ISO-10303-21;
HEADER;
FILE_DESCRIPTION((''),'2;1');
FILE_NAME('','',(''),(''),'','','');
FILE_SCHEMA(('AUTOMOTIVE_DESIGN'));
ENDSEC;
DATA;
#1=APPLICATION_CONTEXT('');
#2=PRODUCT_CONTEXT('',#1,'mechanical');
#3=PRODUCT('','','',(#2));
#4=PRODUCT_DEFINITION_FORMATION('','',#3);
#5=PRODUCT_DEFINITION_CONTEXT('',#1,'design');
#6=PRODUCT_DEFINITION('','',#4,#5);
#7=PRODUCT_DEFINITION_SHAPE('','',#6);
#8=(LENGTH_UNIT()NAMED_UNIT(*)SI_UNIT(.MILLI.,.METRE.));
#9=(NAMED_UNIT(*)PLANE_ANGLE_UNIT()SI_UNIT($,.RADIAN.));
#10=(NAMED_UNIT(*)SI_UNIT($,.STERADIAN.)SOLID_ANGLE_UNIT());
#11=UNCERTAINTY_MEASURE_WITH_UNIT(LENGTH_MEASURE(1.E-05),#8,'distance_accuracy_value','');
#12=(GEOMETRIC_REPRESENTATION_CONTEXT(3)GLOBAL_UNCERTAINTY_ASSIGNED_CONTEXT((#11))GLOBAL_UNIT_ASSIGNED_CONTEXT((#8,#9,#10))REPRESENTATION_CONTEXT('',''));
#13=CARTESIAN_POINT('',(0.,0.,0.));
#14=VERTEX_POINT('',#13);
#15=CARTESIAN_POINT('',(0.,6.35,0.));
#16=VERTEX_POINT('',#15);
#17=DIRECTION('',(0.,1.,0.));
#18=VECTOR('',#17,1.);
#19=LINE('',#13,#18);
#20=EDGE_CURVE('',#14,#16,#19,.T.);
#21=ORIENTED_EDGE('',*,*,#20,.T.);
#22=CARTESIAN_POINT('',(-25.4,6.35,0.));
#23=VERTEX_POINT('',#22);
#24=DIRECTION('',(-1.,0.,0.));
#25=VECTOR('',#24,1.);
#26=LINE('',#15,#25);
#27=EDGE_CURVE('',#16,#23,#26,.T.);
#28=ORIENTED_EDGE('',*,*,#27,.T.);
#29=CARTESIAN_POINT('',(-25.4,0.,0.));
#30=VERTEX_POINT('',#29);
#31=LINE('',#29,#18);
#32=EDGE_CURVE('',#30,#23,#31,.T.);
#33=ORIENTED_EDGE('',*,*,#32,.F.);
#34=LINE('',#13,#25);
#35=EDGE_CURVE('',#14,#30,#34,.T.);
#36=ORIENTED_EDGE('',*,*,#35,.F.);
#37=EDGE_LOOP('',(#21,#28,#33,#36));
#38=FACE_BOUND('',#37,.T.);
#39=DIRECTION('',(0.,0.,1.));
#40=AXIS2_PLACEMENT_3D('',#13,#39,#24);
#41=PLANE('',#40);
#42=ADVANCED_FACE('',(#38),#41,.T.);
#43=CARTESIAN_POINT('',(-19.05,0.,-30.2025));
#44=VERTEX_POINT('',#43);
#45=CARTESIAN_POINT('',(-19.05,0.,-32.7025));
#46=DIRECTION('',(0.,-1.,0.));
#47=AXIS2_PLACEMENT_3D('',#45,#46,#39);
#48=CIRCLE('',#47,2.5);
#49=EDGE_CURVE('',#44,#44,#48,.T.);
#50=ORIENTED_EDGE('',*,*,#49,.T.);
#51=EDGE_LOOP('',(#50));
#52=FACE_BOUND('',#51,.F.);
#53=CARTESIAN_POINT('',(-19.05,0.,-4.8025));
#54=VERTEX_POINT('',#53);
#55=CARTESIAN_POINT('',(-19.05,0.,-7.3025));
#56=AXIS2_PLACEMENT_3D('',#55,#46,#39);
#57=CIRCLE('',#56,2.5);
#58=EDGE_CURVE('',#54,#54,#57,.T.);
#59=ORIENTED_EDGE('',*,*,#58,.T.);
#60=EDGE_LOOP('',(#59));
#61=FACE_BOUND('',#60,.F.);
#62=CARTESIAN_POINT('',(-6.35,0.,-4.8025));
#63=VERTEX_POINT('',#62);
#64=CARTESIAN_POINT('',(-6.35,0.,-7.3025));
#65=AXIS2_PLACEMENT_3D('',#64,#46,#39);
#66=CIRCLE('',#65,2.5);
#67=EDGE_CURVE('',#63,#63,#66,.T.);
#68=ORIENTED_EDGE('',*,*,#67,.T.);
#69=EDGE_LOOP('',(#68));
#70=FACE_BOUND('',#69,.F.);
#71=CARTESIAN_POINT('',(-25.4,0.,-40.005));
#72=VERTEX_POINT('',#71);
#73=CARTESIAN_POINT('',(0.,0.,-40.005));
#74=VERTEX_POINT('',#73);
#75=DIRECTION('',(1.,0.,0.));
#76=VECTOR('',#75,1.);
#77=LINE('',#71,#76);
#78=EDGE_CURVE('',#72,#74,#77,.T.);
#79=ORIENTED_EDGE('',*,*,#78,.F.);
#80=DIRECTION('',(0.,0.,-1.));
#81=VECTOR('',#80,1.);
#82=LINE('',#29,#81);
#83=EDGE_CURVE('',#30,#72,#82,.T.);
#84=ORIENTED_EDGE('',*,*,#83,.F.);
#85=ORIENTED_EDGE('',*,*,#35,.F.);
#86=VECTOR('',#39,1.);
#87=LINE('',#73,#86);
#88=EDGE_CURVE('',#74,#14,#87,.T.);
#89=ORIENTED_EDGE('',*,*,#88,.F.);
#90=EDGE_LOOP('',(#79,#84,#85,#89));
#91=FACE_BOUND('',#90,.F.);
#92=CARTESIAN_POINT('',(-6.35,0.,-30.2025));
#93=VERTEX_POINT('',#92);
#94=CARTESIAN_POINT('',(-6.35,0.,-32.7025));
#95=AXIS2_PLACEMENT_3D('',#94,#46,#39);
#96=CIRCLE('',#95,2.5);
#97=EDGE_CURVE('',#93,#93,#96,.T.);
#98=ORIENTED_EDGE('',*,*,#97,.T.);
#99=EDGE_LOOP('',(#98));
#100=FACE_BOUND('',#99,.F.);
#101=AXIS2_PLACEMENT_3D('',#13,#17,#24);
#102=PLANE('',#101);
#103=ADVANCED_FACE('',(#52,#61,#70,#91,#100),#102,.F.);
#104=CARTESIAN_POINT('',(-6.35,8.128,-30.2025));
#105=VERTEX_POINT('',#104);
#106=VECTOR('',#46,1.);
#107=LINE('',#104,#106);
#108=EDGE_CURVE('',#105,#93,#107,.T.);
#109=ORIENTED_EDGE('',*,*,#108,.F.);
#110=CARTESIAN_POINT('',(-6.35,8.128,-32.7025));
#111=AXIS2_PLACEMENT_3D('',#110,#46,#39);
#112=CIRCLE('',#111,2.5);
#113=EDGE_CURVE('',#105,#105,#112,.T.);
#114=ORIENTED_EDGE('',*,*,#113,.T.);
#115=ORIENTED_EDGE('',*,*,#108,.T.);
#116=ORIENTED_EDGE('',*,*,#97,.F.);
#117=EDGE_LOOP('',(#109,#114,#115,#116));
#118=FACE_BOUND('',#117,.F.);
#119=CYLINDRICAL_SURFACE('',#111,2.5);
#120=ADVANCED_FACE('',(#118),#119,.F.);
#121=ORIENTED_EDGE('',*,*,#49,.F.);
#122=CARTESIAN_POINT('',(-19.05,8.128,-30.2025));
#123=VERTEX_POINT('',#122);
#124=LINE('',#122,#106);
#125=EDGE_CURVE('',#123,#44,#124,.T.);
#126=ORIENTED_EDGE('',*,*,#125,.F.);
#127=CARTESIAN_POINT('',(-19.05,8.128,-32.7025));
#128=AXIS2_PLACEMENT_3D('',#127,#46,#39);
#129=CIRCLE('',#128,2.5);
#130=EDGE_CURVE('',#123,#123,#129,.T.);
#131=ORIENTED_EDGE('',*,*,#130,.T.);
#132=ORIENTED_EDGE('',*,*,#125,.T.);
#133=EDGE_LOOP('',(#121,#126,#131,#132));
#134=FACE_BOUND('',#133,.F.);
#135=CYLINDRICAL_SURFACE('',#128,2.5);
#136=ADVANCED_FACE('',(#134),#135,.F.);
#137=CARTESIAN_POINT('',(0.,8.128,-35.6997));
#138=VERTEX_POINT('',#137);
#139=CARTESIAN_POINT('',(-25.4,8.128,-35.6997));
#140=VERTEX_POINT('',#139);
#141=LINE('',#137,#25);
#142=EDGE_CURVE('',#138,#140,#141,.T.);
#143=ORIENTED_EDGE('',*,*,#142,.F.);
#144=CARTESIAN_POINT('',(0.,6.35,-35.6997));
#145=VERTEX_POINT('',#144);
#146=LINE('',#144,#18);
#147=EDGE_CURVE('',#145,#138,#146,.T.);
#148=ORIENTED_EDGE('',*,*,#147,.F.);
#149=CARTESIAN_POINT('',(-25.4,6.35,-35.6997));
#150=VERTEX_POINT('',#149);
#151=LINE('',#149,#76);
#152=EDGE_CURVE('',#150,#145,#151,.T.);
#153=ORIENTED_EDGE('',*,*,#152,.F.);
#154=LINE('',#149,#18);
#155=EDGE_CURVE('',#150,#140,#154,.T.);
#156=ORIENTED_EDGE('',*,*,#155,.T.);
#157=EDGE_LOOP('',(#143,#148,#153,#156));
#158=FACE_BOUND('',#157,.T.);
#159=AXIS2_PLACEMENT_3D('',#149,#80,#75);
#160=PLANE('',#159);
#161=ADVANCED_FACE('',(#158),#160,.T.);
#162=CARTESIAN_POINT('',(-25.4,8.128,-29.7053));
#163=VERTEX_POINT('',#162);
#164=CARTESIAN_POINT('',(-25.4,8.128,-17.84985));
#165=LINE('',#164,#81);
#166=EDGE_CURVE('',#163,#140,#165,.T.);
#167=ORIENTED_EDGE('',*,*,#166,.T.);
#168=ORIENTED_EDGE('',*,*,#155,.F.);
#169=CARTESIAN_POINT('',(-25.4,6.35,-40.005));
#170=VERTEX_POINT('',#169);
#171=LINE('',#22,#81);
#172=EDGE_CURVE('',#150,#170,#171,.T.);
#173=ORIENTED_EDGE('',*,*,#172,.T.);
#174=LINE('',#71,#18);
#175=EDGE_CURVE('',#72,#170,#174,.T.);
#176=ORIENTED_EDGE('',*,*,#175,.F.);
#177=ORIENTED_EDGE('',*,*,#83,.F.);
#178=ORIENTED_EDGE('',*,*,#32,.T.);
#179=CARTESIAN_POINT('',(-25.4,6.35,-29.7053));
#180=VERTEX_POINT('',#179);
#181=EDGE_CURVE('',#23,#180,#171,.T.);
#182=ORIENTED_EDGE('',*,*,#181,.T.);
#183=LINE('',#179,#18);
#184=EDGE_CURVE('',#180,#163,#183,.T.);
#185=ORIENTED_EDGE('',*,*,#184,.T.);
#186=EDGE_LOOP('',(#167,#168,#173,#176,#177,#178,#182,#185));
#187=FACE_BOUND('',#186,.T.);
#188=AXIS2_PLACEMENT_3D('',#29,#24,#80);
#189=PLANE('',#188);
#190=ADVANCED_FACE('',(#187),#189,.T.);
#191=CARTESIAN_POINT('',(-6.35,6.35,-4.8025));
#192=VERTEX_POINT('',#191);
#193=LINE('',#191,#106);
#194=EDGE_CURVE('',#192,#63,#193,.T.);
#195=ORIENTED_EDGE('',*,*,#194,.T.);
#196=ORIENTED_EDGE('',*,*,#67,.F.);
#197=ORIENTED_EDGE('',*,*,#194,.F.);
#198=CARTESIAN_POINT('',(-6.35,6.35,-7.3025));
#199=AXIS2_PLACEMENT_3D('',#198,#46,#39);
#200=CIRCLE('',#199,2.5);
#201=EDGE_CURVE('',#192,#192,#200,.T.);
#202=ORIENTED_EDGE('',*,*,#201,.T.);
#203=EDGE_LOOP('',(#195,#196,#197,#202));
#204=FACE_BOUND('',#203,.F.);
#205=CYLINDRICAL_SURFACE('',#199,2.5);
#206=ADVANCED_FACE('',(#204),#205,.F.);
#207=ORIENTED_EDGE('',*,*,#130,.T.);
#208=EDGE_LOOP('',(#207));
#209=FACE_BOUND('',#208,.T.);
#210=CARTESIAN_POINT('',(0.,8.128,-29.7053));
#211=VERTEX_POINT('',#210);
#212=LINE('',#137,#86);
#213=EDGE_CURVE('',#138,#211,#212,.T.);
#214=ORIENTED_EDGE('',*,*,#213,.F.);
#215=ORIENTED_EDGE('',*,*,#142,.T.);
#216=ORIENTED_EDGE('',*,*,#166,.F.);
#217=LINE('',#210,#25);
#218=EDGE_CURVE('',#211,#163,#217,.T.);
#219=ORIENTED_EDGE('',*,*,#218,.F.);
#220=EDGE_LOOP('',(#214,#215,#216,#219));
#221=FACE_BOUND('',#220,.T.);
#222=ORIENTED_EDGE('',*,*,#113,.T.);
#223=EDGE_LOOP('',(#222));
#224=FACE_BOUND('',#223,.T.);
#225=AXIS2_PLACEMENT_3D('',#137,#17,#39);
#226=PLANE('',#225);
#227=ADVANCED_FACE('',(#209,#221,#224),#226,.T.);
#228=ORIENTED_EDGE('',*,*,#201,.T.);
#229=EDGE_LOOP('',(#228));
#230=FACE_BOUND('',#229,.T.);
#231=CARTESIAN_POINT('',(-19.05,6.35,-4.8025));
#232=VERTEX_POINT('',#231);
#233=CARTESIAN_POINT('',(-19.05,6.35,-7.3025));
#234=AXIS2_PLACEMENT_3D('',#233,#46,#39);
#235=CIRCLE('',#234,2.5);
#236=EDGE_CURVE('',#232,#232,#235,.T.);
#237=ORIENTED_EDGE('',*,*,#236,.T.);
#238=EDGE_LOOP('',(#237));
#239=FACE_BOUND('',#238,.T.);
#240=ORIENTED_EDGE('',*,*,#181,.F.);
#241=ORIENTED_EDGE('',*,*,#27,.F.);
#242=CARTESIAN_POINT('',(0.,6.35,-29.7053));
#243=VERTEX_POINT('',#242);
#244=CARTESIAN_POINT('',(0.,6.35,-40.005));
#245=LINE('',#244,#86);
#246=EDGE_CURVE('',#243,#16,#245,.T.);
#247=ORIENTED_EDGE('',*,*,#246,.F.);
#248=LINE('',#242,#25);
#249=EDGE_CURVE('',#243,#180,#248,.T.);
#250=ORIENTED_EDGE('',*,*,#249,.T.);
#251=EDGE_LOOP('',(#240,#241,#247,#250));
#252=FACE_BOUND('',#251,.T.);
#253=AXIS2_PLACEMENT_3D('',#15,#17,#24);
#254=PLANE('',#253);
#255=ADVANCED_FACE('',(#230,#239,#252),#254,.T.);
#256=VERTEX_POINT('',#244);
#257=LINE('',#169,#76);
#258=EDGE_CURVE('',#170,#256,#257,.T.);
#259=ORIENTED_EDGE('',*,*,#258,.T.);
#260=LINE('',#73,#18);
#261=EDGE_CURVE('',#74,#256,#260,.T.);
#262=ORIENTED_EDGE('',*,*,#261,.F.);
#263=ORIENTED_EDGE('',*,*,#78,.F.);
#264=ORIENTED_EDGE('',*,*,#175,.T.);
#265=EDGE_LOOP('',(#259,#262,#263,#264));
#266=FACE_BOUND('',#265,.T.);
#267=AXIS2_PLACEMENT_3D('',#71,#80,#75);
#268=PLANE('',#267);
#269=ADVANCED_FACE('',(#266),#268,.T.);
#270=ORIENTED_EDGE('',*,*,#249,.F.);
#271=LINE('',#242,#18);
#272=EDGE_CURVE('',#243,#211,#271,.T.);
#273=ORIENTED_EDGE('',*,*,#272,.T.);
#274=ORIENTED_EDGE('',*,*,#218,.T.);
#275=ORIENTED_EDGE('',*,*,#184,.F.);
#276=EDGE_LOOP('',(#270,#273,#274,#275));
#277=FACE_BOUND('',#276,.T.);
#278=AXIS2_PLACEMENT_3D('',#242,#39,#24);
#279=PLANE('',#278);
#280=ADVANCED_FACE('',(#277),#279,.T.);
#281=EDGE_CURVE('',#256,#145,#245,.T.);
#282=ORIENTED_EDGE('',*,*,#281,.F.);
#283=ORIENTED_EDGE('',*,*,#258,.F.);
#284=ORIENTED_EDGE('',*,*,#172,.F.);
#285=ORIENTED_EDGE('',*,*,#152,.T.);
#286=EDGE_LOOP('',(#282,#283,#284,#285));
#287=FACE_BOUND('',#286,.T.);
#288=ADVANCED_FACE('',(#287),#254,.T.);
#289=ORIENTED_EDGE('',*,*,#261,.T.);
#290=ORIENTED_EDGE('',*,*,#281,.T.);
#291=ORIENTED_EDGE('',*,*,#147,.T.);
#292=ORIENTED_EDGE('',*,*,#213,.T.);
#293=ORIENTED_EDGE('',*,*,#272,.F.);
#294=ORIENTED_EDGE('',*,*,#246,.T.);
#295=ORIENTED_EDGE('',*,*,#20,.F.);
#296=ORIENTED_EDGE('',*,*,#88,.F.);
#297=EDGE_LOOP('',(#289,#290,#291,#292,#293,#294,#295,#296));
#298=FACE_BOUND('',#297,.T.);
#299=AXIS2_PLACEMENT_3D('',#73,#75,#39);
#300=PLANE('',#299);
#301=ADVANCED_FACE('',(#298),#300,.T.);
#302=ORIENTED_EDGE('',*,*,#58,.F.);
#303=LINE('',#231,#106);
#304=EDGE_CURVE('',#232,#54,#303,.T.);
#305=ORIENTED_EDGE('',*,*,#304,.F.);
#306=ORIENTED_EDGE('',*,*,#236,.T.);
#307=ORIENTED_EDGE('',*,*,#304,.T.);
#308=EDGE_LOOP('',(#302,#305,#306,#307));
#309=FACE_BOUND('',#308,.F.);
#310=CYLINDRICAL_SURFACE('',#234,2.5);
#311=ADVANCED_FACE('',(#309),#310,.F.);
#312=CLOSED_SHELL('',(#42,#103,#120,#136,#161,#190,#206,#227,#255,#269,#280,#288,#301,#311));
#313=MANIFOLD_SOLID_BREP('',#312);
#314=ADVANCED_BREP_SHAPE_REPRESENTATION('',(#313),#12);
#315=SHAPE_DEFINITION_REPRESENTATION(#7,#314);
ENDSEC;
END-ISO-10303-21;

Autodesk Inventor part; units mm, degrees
ref_plane "YZ Plane" through (0, 0, 0) normal (1, 0, 0) x (0, 1, 0)
ref_plane "XZ Plane" through (0, 0, 0) normal (0, 1, 0) x (-1, 0, 0)
ref_plane "XY Plane" through (0, 0, 0) normal (0, 0, 1) x (1, 0, 0)
sketch "Sketch1" plane through (0, 0, 0) normal (0, 1, 0) x (-1, 0, 0)
  line L0 (0, 0) -> (25.4, 0)
  line L1 (25.4, 0) -> (25.4, -40.005)
  line L2 (25.4, -40.005) -> (0, -40.005)
  line L3 (0, -40.005) -> (0, 0)
  dimension "d0" = 40.005
  dimension "d1" = 25.4
extrude "Extrusion1" add sketch "Sketch1" along normal blind 6.35
sketch "Sketch2" plane through (0, 6.35, 0) normal (0, 1, 0) x (1, 0, 0)
  line L0 (-25.4, 40.005) -> (-25.4, 0) projected
  line L1 (0, 0) -> (0, 40.005) projected
  line L2 (-25.4, 35.6997) -> (0, 35.6997)
  line L3 (0, 35.6997) -> (0, 29.7053)
  line L4 (0, 29.7053) -> (-25.4, 29.7053)
  line L5 (-25.4, 29.7053) -> (-25.4, 35.6997)
  line L6 (-25.4, 32.7025) -> (0, 32.7025) construction
  line L7 (-25.4, 7.3025) -> (0, 7.3025)
  line L8 (-25.4, 0) -> (0, 0) projected
  line L9 (0, 40.005) -> (-25.4, 40.005) projected
  line L10 (-25.4, 29.7053) -> (0, 29.7053)
  line L11 (0, 29.7053) -> (0, 35.6997)
  line L12 (0, 35.6997) -> (-25.4, 35.6997)
  line L13 (-25.4, 35.6997) -> (-25.4, 29.7053)
  line L14 (-12.7, 35.6997) -> (-12.7, 29.7053) construction
  line L15 (-6.35, 7.3025) -> (-6.35, 40.005) construction
  line L16 (-19.05, 7.3025) -> (-19.05, 40.005) construction
  point P0 (-12.7, 32.7025)
  dimension "d4" = 5.9944
  dimension "d5" = 25.4
  dimension "d6" = 7.3025
  dimension "d7" = 40.005
  dimension "d8" = 12.7
  dimension "d9" = 25.4
  dimension "d10" = 6.35
  dimension "d23" = 12.7
extrude "Extrusion2" add sketch "Sketch2" along normal blind 5.715 contours L2 L1 L4 L0
hole "Hole1" at (-19.05, 6.35, -7.3025) at (-6.35, 6.35, -7.3025) direction (0, -1, 0) diameter 5 end through all
sketch "Sketch3" plane through (0, 0, 0) normal (1, 0, 0) x (0, 0, -1)
  line L0 (29.7053, 12.065) -> (35.6997, 12.065) projected
  line L1 (40.005, 0) -> (0, 0) projected
  line L2 (40.005, 0) -> (40.005, 6.35) projected
  line L3 (35.6997, 6.35) -> (40.005, 6.35) projected
  line L4 (35.6997, 6.35) -> (35.6997, 12.065) projected
  line L5 (29.7053, 12.065) -> (35.6997, 12.065) projected
  line L6 (29.7053, 6.35) -> (29.7053, 12.065) projected
  line L7 (0, 6.35) -> (29.7053, 6.35) projected
  line L8 (0, 0) -> (0, 6.35) projected
  line L9 (29.7053, 6.35) -> (35.6997, 6.35)
  line L10 (35.6997, 6.35) -> (35.6997, 8.128)
  line L11 (35.6997, 6.35) -> (35.6997, 12.065) projected
  line L12 (35.6997, 8.128) -> (29.7053, 8.128)
  line L13 (29.7053, 8.128) -> (29.7053, 6.35)
  line L14 (29.7053, 8.128) -> (29.7053, 12.065)
  line L15 (29.7053, 12.065) -> (35.6997, 12.065)
  line L16 (35.6997, 12.065) -> (35.6997, 8.128)
  dimension "d20" = 1.778
extrude "Extrusion3" cut sketch "Sketch3" against normal through all contours L0 L4 L12 L6
ref_plane "Work Plane1" through (-12.7, 0, -40.005) normal (-1, 0, 0) x (0, 0, 1)
sketch "Sketch4" plane through (0, 8.128, -29.7053) normal (0, 1, 0) x (1, 0, 0)
  circle A0 centre (-6.35, -22.4028) radius 2.5 projected
  circle A1 centre (-19.05, -22.4028) radius 2.5 projected
  line L0 (0, 5.9944) -> (0, 0) projected
  point P0 (0, -29.7053)
  point P1 (-6.35, 2.9972)
  point P2 (-19.05, 2.9972)
  point P3 (0, 2.9972)
hole "Hole2" at (-6.35, 8.128, -32.7025) at (-19.05, 8.128, -32.7025) direction (0, -1, 0) diameter 5 end through all
equation "\"d6\" = -0.5 * d5 + 0.5 * d7"
equation "\"d10\" = -0.5 * d8 + 0.5 * d9"
equation "\"d24\" = d13"
equation "\"d13\" = 5"
properties part number "slider manual tension v1"
